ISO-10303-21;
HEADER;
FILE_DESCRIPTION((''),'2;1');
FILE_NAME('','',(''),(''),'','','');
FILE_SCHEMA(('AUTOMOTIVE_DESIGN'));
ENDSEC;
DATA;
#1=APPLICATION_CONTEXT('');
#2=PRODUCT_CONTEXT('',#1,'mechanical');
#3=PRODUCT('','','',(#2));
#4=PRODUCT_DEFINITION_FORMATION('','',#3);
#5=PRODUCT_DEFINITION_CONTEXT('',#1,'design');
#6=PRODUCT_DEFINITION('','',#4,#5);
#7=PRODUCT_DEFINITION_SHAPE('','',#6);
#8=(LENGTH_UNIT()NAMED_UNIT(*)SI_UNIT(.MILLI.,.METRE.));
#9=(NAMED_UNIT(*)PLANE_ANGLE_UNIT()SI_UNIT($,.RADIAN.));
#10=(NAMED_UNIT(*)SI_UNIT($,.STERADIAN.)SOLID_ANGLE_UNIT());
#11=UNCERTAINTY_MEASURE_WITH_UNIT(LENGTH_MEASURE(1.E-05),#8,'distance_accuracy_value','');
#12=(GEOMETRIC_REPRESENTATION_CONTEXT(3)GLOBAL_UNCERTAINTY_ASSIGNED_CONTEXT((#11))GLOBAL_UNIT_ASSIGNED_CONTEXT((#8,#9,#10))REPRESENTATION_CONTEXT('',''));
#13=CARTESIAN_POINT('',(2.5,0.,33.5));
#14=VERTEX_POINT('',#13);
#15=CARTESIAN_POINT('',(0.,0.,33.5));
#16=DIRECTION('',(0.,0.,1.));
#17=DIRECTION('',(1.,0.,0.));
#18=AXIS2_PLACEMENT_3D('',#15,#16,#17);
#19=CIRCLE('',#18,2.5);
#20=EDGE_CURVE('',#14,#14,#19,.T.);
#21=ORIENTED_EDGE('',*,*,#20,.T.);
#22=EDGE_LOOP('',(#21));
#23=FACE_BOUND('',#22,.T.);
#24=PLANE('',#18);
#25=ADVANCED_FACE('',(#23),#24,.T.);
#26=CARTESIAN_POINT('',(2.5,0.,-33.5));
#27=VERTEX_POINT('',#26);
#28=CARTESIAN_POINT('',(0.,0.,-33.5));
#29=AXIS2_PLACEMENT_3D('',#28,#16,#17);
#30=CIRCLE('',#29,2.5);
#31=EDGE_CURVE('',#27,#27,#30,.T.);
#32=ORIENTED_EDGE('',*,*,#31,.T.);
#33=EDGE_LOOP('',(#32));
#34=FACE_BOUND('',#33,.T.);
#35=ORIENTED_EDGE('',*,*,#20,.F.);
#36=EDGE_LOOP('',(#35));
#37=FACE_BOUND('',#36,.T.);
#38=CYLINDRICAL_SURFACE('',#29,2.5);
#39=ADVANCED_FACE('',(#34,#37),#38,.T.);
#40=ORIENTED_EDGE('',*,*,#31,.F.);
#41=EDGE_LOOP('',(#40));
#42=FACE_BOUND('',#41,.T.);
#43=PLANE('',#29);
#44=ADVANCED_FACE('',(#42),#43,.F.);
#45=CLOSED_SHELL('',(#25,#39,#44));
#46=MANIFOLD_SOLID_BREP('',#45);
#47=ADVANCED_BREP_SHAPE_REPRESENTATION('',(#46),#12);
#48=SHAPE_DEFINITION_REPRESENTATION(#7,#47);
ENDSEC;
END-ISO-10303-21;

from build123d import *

# Parameters (mm, degrees)
ESTRUSIONE_ESTRUSIONE1_DEPTH      = 33.5
ESTRUSIONE_ESTRUSIONE1_DEPTH_BACK = 33.5
SCHIZZO1_R                        = 2.5


with BuildPart() as part:
    # Schizzo1 → Estrusione-Estrusione1 (new, two sides: drawn at the far end of the back side and taken through both)
    with BuildSketch(Plane.XY.offset(-ESTRUSIONE_ESTRUSIONE1_DEPTH_BACK)):
        Circle(SCHIZZO1_R)
    extrude(amount=ESTRUSIONE_ESTRUSIONE1_DEPTH + ESTRUSIONE_ESTRUSIONE1_DEPTH_BACK)


solid = part.part
